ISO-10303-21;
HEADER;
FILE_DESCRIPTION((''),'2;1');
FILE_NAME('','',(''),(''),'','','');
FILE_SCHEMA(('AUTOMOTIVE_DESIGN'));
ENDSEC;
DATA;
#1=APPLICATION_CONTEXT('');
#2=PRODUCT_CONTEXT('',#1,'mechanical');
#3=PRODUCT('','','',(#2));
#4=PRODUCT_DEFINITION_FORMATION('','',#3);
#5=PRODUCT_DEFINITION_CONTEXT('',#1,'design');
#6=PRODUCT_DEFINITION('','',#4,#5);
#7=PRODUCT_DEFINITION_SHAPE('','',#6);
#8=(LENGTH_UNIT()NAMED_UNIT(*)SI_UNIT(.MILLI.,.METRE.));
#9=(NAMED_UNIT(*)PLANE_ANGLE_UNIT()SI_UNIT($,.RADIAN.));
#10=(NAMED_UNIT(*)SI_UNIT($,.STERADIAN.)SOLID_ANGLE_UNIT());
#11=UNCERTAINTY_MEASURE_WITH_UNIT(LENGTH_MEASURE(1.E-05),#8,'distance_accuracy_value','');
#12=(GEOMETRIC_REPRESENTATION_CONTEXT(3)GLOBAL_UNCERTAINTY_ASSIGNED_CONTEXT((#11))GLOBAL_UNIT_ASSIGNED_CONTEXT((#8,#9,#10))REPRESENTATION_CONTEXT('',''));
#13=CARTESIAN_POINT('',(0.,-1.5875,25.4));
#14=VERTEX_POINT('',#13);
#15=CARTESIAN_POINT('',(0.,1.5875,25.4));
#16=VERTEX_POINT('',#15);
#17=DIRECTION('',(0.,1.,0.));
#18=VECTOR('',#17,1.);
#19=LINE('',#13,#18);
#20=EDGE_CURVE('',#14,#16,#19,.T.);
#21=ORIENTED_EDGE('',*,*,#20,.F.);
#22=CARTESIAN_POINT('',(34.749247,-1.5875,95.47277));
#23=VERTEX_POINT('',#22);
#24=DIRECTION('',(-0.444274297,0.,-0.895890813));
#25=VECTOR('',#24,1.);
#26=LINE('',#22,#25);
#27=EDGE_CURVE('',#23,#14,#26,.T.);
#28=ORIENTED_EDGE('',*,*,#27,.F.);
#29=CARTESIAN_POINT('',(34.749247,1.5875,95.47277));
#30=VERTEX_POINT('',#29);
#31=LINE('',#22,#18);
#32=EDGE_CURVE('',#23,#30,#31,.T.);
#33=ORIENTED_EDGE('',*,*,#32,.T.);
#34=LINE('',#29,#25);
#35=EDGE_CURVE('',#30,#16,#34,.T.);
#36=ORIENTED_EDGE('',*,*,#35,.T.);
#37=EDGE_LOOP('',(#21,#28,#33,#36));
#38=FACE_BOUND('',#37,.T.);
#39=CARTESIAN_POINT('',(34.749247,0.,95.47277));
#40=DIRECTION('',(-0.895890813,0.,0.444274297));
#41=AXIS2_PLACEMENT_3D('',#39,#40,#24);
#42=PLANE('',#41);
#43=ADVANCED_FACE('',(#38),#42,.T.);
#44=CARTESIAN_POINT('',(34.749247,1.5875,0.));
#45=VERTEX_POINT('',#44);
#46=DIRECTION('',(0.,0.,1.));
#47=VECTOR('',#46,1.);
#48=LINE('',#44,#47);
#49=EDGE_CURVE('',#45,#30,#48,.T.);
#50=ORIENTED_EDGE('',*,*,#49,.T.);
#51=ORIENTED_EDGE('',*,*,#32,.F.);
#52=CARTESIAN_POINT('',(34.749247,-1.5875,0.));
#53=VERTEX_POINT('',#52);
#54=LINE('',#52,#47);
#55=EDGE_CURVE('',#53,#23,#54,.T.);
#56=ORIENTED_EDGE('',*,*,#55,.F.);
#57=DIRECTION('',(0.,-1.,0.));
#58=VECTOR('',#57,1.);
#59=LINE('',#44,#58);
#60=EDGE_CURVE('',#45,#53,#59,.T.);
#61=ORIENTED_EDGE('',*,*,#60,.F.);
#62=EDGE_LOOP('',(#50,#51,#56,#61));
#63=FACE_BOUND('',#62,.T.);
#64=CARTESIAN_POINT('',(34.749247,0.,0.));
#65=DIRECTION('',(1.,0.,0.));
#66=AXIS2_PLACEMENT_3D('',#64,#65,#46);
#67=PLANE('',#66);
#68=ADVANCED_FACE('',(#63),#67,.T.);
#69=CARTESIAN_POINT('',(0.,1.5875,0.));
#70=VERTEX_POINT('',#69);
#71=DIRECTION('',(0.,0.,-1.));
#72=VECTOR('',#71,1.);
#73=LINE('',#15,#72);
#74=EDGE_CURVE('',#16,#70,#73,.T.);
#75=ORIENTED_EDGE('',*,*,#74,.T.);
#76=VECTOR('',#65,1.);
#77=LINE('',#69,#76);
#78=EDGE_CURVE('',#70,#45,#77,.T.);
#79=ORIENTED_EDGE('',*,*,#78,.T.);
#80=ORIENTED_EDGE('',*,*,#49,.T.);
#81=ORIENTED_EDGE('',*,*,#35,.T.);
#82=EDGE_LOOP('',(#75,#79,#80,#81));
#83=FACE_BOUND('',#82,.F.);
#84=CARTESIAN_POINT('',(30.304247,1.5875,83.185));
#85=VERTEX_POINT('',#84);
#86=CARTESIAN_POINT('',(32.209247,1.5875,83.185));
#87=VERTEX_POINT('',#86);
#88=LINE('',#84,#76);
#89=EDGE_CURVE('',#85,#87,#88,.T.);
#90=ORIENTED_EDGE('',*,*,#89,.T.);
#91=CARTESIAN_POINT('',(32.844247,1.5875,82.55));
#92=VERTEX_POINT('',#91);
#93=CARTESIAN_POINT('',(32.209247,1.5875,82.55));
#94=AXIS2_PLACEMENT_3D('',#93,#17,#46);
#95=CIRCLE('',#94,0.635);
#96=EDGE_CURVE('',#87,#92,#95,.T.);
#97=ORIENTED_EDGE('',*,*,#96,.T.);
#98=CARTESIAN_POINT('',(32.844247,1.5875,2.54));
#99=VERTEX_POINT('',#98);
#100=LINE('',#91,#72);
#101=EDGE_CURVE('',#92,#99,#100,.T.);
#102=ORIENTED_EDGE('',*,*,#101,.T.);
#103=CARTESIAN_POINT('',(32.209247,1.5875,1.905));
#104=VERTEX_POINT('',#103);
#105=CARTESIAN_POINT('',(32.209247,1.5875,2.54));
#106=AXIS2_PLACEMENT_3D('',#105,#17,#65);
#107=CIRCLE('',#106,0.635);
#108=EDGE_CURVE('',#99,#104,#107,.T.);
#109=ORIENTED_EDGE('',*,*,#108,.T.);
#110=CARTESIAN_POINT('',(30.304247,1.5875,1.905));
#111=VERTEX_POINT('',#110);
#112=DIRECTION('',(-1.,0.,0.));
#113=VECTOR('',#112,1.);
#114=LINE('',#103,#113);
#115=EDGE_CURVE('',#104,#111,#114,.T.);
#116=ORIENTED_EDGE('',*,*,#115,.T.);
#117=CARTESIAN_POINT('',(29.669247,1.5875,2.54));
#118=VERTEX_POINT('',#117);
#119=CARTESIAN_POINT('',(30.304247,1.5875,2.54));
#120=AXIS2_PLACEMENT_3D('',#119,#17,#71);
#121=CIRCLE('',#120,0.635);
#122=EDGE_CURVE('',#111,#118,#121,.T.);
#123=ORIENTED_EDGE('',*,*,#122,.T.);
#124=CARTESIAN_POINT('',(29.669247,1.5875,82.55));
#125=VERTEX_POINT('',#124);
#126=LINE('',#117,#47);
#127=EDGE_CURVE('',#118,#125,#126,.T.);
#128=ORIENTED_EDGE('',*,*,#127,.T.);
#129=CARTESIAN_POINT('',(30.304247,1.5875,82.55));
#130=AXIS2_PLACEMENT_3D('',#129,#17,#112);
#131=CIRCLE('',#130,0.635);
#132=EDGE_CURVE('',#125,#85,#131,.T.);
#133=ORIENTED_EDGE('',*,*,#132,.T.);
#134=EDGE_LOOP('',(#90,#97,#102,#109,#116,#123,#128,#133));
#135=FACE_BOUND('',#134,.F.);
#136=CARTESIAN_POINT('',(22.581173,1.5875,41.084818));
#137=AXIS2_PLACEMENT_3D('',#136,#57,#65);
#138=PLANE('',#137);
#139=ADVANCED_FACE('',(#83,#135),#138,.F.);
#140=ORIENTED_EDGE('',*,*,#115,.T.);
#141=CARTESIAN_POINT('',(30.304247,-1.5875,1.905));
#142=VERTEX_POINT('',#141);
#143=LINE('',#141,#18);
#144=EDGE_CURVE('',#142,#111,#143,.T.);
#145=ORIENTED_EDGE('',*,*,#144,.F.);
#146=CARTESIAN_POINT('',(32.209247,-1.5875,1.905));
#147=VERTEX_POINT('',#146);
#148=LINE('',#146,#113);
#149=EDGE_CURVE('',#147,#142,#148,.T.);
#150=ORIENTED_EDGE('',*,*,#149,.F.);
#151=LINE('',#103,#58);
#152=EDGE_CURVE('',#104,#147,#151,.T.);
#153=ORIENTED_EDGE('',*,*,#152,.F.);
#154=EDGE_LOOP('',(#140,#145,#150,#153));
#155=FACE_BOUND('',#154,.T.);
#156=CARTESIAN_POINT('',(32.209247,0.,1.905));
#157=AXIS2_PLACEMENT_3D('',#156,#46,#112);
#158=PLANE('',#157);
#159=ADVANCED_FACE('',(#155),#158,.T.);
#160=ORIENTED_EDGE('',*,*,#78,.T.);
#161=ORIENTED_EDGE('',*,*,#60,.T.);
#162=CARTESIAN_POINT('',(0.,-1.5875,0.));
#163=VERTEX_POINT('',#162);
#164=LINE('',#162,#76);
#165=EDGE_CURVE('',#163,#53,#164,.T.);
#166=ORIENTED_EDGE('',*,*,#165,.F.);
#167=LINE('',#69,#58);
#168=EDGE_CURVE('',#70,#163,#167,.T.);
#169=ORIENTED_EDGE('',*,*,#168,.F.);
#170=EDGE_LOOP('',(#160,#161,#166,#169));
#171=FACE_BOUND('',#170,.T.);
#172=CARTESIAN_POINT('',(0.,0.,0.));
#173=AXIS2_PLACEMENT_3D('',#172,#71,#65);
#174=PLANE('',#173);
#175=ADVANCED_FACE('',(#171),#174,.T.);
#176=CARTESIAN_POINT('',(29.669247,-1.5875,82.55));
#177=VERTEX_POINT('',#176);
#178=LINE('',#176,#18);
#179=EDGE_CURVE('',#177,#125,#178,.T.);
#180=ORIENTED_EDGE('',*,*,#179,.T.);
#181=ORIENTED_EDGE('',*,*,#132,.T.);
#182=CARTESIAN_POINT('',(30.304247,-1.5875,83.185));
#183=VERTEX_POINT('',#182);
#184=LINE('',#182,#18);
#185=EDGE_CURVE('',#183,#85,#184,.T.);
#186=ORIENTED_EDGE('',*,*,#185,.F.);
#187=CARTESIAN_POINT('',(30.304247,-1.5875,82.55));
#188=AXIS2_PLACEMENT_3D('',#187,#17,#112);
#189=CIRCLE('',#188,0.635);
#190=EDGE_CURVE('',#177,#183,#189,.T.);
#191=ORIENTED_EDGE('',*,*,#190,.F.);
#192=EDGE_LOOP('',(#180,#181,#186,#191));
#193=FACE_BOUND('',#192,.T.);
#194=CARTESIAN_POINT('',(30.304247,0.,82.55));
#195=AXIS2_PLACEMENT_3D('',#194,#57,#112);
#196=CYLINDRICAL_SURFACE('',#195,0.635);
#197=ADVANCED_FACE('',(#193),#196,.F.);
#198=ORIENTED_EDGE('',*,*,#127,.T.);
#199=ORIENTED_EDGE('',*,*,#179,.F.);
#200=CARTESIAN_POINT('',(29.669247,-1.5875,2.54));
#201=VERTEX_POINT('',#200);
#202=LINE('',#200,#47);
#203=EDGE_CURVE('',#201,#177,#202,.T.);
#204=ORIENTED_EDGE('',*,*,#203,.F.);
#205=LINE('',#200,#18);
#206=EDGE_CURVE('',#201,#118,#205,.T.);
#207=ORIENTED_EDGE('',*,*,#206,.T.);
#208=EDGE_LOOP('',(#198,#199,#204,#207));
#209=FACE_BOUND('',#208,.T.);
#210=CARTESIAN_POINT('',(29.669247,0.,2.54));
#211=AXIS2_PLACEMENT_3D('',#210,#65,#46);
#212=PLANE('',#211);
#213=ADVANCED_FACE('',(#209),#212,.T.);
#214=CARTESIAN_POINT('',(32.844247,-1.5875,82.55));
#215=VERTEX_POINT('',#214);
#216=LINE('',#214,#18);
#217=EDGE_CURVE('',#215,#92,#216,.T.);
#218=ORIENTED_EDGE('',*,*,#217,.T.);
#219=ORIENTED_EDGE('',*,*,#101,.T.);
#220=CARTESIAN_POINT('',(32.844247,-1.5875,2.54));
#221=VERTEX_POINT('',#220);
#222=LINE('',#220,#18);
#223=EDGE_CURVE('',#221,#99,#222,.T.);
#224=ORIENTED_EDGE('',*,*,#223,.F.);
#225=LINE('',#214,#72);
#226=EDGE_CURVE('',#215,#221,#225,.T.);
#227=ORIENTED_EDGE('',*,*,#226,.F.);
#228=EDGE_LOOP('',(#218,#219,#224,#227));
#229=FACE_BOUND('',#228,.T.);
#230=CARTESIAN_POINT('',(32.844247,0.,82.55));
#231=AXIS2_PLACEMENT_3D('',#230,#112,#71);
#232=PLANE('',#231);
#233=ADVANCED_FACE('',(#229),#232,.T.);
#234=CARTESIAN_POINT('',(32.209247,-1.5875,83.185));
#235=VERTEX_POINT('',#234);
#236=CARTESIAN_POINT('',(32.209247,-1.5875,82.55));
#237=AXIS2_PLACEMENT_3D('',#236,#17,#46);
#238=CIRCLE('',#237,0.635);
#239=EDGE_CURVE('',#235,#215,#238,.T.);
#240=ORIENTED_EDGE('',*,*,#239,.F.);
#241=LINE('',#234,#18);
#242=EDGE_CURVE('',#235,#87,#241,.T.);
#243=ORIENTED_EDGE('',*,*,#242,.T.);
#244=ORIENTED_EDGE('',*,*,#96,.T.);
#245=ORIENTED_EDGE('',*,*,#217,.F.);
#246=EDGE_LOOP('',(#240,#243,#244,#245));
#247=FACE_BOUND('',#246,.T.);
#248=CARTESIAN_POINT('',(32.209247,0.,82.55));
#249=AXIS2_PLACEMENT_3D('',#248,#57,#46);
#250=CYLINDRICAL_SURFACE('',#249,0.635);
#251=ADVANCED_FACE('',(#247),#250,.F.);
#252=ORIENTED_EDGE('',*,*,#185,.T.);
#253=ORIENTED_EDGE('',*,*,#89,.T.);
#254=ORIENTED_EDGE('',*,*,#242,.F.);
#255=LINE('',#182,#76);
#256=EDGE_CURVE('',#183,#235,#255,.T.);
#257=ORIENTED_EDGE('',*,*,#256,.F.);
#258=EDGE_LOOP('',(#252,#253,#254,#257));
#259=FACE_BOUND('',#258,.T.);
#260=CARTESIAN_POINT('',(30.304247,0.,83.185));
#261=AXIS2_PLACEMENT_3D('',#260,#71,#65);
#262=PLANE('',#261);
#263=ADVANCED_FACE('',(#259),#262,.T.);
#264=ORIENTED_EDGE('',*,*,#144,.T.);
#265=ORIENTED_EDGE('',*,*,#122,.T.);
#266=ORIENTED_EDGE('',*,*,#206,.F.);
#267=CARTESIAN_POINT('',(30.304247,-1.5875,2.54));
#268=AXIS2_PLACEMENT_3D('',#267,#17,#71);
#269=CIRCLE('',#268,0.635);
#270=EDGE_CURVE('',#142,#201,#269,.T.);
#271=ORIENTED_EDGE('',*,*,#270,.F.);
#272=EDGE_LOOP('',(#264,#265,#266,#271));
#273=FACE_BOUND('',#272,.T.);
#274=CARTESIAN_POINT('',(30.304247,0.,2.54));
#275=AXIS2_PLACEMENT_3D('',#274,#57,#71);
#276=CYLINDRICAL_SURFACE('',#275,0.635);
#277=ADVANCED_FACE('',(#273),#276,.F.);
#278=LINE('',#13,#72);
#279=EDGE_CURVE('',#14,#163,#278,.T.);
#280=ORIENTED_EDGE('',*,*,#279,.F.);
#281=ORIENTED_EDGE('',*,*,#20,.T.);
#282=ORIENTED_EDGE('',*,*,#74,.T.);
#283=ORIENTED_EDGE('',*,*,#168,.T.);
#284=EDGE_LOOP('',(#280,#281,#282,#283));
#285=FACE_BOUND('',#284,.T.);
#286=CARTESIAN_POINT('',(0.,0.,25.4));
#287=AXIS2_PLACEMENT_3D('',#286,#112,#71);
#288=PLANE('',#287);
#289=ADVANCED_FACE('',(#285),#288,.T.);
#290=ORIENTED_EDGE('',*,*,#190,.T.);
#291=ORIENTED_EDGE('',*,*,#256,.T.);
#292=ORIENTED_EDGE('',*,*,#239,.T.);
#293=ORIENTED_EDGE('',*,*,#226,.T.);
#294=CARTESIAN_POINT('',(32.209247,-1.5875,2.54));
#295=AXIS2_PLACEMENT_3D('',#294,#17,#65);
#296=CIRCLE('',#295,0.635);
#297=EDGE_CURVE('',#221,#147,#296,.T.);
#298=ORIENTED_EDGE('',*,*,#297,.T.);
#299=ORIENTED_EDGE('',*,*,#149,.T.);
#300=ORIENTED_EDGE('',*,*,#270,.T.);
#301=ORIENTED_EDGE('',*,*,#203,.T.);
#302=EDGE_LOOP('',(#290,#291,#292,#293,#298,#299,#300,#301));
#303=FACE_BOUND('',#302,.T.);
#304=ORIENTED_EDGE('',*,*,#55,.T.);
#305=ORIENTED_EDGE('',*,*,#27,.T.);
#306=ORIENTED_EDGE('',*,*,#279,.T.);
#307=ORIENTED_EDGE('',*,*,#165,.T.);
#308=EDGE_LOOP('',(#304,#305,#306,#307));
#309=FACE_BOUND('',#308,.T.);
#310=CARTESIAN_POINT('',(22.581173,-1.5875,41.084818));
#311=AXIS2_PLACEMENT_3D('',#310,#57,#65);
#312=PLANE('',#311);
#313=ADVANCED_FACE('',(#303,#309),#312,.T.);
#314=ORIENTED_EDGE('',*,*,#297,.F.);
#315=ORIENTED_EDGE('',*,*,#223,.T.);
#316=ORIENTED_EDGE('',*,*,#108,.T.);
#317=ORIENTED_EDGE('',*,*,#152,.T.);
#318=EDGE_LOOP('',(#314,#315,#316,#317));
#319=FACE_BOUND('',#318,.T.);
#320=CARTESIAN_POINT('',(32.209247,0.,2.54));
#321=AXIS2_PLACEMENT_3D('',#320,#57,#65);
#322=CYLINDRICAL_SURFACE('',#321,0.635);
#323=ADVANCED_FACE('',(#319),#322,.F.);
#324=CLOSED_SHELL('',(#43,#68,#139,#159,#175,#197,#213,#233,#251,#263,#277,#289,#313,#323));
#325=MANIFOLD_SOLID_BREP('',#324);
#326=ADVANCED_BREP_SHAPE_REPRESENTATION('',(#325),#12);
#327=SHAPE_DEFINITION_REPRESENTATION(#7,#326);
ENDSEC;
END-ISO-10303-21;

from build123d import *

# Parameters (mm, degrees)
F1_DEPTH = 1.5875


with BuildPart() as f1:
    # F0 (on Front) → F1 (new body, symmetric)
    with BuildSketch(Plane.XZ):
        Polygon((0, 25.4), (0, 0), (34.7492465619, 0), (34.7492465619, 95.4727702718), align=None)
        with BuildLine():
            Line((32.2092465619, 1.905), (30.3042465619, 1.905))
            ThreePointArc((30.3042465619, 1.905), (29.8552337558, 2.0909871939), (29.6692465619, 2.54))
            Line((29.6692465619, 2.54), (29.6692465619, 82.55))
            ThreePointArc((29.6692465619, 82.55), (29.8552337558, 82.9990128061), (30.3042465619, 83.185))
            Line((30.3042465619, 83.185), (32.2092465619, 83.185))
            ThreePointArc((32.2092465619, 83.185), (32.6582593679, 82.9990128061), (32.8442465619, 82.55))
            Line((32.8442465619, 82.55), (32.8442465619, 2.54))
            ThreePointArc((32.8442465619, 2.54), (32.6582593679, 2.0909871939), (32.2092465619, 1.905))
        make_face(mode=Mode.SUBTRACT)
    extrude(amount=F1_DEPTH, both=True)


solid = f1.part
